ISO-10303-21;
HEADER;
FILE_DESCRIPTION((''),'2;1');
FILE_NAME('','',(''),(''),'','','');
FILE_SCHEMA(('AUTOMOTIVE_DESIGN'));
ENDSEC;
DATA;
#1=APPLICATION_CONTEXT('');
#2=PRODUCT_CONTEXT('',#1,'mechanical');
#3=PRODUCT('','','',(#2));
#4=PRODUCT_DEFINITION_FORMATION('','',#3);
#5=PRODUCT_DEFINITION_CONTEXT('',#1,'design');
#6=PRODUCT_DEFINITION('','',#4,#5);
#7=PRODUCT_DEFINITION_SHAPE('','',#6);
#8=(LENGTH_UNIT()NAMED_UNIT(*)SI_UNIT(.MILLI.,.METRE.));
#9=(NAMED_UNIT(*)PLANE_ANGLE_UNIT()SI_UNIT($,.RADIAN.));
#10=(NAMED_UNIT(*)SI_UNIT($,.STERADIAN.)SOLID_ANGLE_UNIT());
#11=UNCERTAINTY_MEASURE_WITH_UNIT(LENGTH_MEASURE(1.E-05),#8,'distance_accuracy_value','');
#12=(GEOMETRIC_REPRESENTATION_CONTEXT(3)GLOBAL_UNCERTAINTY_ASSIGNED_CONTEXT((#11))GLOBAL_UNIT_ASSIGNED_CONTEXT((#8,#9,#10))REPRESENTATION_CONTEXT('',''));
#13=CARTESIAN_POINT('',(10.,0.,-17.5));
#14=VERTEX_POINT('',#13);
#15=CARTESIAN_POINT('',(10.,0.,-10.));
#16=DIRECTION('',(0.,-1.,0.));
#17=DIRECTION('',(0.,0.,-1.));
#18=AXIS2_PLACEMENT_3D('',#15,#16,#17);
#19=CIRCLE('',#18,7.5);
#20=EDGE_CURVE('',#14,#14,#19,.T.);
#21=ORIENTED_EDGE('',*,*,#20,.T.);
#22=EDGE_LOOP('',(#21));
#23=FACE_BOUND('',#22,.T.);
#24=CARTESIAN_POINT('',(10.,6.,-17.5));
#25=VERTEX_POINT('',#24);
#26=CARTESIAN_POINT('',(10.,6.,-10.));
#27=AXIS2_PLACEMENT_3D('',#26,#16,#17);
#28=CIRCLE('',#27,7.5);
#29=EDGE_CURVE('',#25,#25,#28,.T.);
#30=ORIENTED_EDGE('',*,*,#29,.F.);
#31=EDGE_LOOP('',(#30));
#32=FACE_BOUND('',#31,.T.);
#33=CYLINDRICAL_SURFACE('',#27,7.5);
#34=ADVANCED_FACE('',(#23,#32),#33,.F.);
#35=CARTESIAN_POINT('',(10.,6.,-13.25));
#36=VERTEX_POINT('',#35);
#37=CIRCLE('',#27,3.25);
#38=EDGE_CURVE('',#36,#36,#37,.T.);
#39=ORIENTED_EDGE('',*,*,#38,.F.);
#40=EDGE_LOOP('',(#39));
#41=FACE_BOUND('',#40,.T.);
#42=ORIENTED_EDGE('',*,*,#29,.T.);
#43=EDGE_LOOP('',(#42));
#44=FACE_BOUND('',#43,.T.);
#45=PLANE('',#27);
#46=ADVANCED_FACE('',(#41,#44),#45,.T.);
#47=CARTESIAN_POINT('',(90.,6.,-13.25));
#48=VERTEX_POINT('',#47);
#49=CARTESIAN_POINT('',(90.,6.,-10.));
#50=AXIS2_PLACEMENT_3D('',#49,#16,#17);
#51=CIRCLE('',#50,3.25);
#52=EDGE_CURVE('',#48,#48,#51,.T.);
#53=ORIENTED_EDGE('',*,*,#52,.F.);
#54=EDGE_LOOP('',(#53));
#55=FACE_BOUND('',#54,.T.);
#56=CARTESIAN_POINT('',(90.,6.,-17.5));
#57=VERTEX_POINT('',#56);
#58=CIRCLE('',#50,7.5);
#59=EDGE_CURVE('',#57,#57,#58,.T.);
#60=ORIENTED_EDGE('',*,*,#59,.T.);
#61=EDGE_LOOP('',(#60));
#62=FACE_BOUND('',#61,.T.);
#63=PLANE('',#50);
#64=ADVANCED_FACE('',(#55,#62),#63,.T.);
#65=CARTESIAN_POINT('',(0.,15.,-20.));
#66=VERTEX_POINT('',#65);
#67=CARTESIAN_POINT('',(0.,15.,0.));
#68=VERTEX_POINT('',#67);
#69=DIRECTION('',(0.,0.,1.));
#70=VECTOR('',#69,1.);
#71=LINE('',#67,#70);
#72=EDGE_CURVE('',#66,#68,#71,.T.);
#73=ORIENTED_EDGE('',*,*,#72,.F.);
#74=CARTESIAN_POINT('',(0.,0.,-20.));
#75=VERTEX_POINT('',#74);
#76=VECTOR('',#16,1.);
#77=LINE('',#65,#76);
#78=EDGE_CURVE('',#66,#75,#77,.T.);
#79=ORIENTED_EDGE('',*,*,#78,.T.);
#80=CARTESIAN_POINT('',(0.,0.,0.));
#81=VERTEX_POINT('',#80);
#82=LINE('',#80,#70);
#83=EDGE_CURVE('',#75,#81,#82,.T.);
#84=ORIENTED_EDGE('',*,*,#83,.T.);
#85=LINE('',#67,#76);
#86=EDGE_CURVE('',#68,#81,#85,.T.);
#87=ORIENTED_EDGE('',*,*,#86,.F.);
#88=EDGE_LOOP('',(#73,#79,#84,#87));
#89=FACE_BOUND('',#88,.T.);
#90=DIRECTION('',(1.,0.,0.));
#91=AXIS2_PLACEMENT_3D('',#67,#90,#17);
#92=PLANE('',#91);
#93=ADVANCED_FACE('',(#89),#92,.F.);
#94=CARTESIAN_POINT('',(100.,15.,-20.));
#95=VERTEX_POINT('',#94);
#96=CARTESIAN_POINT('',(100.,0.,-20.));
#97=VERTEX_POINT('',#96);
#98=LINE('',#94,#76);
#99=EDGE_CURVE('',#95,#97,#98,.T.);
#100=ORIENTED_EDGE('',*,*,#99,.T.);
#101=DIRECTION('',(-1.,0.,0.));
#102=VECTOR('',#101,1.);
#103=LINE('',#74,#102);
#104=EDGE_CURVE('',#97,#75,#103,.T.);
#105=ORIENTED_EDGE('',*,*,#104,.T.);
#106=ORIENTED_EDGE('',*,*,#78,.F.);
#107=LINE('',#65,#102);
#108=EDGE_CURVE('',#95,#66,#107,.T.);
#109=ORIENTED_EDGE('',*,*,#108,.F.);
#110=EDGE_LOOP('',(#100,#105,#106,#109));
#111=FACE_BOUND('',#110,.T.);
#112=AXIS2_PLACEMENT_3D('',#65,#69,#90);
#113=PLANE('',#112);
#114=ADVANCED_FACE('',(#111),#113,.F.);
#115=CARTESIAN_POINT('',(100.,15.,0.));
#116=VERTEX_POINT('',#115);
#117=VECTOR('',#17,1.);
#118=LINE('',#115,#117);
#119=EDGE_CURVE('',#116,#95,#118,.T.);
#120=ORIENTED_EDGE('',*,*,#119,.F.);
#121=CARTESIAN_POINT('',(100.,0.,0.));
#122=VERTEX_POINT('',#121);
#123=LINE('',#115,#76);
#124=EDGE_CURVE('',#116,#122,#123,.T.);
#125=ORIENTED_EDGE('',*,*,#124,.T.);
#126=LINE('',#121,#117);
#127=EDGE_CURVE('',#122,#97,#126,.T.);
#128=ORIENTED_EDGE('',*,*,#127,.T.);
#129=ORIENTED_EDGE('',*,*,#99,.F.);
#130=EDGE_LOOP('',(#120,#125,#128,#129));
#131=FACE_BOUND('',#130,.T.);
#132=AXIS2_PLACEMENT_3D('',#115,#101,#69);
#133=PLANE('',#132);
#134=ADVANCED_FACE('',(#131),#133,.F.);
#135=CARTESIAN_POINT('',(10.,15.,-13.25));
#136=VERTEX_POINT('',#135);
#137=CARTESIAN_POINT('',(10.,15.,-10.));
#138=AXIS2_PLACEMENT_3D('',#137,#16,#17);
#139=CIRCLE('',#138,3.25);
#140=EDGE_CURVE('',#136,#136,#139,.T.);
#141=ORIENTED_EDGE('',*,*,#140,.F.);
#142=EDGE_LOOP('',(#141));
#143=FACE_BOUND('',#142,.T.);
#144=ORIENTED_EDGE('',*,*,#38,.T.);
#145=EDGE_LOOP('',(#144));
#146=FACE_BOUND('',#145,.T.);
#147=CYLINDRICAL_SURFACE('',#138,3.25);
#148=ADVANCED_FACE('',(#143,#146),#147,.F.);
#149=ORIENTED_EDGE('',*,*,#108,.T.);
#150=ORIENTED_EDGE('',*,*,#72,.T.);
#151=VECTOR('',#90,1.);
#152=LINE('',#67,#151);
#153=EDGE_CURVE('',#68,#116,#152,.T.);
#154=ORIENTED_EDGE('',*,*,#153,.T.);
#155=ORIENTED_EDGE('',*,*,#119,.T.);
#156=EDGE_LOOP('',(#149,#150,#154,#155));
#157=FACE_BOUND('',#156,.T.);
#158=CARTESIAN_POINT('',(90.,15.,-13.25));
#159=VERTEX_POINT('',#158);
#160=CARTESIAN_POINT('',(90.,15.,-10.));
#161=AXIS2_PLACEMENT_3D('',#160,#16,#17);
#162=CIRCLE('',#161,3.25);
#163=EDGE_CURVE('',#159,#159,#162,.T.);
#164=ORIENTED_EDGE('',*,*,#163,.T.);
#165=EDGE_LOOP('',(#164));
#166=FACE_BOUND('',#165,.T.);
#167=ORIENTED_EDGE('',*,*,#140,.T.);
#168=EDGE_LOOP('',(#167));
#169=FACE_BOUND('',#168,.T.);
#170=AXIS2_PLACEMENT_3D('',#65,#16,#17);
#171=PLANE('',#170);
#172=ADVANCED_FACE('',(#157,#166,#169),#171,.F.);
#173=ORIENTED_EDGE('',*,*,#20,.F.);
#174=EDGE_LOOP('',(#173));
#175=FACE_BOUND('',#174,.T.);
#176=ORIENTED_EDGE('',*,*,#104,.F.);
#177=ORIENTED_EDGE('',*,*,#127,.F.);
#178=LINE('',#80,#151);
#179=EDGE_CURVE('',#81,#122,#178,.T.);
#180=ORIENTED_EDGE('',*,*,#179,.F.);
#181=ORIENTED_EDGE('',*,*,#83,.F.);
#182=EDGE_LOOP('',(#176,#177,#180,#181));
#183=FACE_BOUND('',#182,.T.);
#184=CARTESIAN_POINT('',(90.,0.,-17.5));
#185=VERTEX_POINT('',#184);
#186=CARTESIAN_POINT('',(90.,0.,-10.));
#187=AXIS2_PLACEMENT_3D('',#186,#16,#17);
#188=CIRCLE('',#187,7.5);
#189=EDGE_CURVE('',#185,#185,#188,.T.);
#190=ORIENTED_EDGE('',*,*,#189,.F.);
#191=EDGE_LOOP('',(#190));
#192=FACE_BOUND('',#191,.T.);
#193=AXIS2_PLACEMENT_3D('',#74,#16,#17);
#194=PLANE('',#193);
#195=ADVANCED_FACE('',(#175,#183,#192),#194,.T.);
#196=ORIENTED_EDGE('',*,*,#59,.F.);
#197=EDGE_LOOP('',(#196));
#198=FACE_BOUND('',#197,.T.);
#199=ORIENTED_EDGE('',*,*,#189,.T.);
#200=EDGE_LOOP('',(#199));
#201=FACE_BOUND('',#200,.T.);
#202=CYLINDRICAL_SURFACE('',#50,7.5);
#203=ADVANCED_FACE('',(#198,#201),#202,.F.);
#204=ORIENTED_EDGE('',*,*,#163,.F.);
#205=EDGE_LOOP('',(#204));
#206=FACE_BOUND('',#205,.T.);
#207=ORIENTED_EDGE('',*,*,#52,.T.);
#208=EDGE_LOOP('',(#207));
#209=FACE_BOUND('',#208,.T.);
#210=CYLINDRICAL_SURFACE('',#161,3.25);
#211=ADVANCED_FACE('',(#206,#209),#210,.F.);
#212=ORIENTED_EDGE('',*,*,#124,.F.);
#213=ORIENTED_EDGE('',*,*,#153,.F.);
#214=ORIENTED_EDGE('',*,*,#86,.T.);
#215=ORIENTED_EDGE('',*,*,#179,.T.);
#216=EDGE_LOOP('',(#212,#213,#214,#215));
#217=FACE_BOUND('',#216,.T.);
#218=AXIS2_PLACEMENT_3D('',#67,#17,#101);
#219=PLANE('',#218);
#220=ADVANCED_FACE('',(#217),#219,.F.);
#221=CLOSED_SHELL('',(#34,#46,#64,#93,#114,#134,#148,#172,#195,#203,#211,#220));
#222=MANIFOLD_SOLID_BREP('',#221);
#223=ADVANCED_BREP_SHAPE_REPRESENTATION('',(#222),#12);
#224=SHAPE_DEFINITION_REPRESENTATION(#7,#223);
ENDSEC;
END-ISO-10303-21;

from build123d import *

# Parameters (mm, degrees)
SKETCH1_W           = 100
SKETCH1_H           = 20
BOSS_EXTRUDE1_DEPTH = 15
SKETCH2_R           = 7.5
CUT_EXTRUDE1_DEPTH  = 6
SKETCH3_R           = 3.25
CUT_EXTRUDE2_DEPTH  = 103.376755174


with BuildPart() as part:
    # Sketch1 → Boss-Extrude1 (new body)
    with BuildSketch(Plane(origin=(0, 0, 0), x_dir=(1, 0, 0), z_dir=(0, 1, 0))):
        with Locations((50, 10)):
            Rectangle(SKETCH1_W, SKETCH1_H)
    extrude(amount=BOSS_EXTRUDE1_DEPTH)

    # Sketch2 → Cut-Extrude1 (cut)
    with BuildSketch(Plane.XZ):
        with Locations(Location((10, -10, 0), (0, 0, 270))):
            Circle(SKETCH2_R)
        with Locations(Location((90, -10, 0), (0, 0, 270))):
            Circle(SKETCH2_R)
    extrude(amount=-CUT_EXTRUDE1_DEPTH, mode=Mode.SUBTRACT)

    # Sketch3 → Cut-Extrude2 (cut, through all)
    with BuildSketch(Plane.XZ.offset(-6)):
        with Locations(Location((10, -10, 0), (0, 0, 270))):
            Circle(SKETCH3_R)
        with Locations(Location((90, -10, 0), (0, 0, 270))):
            Circle(SKETCH3_R)
    extrude(amount=-CUT_EXTRUDE2_DEPTH, mode=Mode.SUBTRACT)


solid = part.part
